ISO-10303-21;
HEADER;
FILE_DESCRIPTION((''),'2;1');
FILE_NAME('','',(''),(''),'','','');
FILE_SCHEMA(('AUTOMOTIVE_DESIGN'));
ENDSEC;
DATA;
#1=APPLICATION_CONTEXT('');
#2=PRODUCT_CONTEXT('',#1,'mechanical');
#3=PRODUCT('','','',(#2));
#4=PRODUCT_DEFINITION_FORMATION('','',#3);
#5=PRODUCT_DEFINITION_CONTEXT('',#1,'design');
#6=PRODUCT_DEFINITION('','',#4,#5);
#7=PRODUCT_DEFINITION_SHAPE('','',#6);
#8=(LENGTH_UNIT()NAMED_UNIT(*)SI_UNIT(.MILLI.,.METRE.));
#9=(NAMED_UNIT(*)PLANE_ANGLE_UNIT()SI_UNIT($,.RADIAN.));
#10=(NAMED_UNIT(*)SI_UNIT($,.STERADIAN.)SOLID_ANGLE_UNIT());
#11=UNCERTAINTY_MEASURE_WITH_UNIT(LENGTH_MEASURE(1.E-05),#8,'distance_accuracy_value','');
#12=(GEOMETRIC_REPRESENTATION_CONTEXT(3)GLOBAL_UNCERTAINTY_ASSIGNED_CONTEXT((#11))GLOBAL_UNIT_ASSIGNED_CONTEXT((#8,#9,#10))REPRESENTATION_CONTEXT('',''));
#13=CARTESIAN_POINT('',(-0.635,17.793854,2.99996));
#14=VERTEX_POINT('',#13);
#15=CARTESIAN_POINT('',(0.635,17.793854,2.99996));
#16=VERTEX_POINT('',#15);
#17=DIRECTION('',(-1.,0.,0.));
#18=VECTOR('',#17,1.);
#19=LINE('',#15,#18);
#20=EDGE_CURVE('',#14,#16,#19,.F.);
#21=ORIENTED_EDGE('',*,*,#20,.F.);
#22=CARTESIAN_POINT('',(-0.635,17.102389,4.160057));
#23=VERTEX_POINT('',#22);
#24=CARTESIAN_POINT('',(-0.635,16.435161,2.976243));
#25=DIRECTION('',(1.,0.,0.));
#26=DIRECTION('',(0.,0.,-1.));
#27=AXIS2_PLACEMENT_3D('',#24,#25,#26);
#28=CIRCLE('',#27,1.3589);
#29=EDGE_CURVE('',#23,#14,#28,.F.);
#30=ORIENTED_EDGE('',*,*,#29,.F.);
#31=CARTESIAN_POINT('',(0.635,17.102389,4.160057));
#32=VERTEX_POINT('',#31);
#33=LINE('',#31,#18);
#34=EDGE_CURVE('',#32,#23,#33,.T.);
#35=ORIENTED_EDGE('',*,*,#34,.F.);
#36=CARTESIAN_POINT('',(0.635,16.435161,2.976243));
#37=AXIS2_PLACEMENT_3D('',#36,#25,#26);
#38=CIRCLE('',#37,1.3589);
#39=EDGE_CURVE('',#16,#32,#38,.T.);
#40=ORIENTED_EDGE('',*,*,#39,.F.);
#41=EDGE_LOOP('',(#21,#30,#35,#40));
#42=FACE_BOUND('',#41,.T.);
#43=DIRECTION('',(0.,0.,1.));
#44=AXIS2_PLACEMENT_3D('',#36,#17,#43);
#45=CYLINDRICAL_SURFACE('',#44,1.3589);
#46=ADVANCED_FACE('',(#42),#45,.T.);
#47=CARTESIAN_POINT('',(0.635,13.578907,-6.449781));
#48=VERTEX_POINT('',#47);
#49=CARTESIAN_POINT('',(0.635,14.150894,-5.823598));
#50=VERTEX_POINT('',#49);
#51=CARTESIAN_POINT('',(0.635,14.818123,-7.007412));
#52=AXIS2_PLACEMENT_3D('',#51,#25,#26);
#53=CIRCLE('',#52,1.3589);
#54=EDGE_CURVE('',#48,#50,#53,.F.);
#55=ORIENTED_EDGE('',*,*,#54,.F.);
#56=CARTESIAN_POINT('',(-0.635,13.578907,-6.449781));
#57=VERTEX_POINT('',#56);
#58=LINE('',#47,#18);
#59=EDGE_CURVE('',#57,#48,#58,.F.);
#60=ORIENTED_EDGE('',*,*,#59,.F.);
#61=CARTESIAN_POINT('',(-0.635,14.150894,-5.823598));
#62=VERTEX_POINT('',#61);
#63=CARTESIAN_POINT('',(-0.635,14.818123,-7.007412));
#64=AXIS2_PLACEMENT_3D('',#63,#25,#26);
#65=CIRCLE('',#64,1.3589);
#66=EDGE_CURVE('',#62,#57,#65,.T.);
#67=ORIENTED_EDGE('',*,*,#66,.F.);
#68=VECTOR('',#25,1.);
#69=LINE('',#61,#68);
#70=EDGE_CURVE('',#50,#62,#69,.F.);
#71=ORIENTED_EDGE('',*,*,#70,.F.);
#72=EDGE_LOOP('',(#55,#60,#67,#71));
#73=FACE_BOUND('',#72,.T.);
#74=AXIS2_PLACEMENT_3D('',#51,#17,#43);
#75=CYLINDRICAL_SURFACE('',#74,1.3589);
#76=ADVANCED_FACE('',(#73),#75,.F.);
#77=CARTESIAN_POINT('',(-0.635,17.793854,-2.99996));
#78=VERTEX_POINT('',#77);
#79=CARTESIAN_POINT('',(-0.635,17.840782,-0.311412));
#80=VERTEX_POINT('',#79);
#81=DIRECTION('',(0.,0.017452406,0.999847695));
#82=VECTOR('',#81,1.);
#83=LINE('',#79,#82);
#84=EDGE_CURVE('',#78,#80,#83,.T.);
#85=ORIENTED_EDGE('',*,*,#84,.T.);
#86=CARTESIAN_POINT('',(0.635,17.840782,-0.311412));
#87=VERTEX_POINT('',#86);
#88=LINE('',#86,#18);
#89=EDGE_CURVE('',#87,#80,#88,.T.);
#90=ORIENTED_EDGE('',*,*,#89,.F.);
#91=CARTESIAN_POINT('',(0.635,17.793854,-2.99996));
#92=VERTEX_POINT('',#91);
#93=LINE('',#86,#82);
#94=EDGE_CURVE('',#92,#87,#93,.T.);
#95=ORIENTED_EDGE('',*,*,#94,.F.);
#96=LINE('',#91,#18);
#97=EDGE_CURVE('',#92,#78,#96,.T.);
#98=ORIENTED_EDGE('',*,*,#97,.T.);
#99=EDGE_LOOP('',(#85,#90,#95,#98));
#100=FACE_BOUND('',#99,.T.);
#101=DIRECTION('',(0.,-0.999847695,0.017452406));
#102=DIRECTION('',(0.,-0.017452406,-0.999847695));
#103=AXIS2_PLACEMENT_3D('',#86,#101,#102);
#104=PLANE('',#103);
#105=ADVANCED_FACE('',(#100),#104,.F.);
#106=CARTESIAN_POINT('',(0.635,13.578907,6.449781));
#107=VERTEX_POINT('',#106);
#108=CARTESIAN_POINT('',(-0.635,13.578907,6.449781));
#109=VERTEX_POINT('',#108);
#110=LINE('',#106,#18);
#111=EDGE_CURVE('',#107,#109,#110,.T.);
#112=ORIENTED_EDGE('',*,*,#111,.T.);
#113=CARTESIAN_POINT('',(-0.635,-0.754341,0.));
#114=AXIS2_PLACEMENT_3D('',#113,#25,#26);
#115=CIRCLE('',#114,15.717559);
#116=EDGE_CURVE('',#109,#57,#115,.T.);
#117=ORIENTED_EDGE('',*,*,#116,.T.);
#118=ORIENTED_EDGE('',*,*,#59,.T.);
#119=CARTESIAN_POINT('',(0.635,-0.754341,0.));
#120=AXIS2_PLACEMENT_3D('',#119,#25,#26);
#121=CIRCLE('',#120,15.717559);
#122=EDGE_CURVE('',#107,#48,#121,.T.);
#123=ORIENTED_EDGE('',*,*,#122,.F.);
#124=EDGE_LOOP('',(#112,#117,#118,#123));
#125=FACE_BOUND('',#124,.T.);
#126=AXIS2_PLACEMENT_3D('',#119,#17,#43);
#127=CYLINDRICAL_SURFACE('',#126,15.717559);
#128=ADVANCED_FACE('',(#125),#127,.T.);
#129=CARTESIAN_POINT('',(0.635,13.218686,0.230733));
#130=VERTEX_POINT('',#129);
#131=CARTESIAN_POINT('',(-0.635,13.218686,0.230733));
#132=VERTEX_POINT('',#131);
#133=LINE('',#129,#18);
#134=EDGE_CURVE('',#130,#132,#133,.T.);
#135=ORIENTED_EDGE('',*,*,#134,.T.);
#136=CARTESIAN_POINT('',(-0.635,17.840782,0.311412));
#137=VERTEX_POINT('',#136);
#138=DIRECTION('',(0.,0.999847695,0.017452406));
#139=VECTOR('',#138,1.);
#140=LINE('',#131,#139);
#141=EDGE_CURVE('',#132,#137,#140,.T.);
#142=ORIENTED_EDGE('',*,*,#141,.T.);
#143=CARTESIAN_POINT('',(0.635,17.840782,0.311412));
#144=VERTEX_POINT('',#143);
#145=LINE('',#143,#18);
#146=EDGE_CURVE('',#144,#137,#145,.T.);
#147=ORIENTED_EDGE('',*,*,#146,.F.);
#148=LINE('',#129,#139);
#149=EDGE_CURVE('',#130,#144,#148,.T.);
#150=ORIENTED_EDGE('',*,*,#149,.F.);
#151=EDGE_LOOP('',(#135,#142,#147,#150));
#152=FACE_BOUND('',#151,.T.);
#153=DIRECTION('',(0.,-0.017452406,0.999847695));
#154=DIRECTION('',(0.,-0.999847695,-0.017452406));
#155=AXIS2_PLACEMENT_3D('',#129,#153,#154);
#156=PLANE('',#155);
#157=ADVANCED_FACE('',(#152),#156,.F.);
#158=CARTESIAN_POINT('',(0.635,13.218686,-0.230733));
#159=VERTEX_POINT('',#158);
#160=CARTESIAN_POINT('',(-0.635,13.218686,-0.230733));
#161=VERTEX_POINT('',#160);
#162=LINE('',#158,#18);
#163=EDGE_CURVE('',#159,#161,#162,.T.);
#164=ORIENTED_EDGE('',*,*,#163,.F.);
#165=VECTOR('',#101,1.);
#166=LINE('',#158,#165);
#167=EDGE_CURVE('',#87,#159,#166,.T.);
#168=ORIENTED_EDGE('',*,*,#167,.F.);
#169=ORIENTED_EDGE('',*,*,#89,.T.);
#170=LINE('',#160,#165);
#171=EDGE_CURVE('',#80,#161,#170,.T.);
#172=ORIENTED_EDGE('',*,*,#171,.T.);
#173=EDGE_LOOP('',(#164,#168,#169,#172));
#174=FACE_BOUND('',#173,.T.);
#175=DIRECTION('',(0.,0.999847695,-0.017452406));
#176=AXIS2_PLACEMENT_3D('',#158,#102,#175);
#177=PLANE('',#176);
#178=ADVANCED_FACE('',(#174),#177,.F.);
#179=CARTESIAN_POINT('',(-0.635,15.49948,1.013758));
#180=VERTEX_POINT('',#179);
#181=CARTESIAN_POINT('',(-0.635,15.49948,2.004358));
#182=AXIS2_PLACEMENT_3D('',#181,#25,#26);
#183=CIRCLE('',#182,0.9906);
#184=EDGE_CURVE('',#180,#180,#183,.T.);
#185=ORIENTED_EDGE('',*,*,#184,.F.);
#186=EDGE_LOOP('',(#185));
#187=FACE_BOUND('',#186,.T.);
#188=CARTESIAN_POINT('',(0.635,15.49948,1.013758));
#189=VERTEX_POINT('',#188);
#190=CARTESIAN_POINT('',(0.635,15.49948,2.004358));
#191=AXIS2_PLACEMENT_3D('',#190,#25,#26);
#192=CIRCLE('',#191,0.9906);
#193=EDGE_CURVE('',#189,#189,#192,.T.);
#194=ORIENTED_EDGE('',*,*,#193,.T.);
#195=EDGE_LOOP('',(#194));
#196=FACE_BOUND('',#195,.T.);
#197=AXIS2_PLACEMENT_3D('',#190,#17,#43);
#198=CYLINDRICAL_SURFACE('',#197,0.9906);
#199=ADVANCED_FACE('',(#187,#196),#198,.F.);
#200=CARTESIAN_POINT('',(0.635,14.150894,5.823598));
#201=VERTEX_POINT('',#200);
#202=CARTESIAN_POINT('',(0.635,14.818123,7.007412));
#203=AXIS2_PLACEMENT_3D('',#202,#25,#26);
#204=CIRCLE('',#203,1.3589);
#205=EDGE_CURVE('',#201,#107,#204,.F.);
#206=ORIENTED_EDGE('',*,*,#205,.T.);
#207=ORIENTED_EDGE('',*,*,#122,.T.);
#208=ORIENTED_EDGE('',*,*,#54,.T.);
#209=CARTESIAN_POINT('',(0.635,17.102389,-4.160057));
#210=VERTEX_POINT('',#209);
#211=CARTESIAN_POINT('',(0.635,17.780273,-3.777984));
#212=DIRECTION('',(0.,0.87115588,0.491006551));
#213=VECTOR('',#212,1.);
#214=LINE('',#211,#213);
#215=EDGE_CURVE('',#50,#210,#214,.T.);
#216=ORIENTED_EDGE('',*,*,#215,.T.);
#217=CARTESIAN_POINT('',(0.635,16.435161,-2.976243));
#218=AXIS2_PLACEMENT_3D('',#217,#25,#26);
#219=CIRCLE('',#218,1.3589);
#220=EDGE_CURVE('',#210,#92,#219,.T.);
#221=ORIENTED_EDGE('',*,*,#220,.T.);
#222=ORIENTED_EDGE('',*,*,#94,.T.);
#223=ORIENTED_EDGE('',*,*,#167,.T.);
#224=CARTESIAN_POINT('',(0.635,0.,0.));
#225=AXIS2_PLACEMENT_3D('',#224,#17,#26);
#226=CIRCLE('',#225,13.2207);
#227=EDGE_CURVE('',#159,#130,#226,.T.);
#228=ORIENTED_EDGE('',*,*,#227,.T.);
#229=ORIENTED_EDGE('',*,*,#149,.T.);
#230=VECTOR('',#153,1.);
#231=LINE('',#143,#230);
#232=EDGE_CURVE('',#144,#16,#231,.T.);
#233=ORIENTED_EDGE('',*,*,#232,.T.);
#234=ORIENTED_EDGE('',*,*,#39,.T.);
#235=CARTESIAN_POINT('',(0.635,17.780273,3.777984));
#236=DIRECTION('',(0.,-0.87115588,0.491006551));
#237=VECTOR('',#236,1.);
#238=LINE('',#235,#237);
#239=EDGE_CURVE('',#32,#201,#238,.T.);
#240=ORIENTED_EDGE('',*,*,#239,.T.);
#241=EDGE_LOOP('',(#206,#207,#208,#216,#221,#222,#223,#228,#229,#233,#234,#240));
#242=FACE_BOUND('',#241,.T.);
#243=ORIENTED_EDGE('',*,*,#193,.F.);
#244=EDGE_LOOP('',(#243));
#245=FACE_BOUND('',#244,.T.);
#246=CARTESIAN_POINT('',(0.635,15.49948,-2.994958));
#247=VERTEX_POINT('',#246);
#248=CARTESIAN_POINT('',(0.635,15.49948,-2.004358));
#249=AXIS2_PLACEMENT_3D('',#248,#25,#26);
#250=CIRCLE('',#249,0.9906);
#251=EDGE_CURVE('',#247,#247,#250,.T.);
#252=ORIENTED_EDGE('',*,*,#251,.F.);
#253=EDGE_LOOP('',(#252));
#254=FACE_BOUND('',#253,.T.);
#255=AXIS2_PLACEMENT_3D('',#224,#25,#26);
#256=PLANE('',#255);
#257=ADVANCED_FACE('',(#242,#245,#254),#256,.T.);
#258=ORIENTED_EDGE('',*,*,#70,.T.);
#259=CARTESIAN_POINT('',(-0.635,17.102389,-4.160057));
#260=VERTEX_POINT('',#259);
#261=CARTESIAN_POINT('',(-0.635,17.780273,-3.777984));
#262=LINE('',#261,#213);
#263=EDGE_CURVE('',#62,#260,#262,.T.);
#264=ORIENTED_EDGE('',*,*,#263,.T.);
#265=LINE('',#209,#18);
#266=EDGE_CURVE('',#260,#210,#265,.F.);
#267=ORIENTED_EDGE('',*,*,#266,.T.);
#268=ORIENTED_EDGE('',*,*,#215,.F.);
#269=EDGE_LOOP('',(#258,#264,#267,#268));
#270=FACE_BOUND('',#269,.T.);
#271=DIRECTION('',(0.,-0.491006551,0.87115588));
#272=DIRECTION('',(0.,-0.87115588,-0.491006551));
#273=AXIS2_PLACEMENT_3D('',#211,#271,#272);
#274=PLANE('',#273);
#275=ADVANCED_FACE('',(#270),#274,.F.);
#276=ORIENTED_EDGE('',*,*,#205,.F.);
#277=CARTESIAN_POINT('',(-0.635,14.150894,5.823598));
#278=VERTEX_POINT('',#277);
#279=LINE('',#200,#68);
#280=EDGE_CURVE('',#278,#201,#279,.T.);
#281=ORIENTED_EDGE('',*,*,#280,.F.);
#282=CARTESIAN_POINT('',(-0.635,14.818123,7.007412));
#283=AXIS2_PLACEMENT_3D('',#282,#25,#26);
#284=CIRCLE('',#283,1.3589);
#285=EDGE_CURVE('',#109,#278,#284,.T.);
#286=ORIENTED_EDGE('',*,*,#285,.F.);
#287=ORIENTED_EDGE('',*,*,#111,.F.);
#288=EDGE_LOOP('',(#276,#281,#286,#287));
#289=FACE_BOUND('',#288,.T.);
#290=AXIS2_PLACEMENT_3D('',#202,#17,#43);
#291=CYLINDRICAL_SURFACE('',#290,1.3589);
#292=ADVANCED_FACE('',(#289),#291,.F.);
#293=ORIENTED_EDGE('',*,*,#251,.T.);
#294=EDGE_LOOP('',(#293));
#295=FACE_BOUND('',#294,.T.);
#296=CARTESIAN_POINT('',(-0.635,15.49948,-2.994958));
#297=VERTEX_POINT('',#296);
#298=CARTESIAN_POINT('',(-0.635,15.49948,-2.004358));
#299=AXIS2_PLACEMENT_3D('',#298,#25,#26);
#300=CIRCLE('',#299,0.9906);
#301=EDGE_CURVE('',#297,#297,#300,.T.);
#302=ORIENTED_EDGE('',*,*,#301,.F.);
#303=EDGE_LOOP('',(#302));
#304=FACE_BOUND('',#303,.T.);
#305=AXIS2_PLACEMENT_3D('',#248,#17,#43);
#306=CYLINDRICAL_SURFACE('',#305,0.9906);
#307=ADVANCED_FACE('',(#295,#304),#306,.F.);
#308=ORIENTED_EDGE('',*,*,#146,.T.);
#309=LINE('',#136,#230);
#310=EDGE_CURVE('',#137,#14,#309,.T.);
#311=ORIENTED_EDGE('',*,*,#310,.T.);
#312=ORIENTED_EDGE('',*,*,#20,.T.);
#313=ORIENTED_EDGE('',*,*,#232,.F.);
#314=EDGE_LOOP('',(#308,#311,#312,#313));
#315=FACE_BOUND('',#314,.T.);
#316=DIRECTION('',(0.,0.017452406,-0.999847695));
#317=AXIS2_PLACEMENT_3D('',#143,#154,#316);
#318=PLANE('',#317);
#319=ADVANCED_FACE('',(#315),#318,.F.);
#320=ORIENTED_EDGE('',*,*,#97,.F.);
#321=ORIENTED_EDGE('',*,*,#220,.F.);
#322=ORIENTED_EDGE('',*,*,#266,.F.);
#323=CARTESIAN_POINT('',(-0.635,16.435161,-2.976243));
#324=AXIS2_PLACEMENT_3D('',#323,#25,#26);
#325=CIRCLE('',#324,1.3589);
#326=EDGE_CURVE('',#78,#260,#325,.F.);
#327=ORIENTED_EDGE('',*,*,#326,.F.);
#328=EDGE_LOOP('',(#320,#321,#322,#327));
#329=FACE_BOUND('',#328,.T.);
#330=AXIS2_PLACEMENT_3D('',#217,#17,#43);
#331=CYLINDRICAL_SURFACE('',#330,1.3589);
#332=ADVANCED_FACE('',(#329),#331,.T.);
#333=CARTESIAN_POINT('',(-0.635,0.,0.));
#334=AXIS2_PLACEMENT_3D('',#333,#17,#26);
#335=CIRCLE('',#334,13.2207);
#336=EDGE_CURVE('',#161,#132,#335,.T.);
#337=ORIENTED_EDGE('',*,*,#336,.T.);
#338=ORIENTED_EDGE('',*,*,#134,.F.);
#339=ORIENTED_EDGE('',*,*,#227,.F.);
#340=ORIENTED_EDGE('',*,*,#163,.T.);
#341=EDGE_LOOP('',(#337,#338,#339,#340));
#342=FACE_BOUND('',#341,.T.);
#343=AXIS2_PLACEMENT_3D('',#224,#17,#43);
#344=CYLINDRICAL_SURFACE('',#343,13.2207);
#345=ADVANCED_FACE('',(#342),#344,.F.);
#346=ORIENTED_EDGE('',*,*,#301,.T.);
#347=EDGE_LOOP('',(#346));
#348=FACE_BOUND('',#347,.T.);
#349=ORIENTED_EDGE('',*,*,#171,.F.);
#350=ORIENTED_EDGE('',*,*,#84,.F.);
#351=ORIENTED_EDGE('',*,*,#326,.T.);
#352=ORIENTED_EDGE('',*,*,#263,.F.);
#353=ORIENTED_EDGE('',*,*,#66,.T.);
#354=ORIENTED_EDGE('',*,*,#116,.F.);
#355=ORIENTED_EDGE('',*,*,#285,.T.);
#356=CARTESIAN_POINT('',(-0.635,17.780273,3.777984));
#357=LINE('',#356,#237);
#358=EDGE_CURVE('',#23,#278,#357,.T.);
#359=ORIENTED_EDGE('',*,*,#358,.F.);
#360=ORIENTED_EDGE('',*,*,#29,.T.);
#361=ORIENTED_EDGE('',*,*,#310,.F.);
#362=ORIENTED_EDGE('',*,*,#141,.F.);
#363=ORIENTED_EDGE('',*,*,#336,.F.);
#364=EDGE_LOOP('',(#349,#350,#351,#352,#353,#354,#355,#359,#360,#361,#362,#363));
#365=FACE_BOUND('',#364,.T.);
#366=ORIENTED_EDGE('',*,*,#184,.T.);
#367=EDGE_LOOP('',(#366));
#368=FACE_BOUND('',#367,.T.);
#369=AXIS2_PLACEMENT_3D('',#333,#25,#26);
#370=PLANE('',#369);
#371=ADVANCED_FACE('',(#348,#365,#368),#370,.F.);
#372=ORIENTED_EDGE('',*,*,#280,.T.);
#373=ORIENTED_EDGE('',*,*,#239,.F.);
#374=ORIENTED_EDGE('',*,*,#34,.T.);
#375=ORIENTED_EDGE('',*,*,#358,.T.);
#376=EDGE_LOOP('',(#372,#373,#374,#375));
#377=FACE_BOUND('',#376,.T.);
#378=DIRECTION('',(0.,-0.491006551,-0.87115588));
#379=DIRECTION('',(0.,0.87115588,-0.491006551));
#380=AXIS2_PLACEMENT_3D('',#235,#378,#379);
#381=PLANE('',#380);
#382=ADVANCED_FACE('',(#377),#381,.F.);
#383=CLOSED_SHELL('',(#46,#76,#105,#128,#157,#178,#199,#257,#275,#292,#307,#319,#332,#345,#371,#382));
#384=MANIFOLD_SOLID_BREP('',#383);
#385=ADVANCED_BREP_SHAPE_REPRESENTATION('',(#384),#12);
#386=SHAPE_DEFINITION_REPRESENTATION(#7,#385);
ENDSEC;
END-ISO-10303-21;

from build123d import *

# Parameters (mm, degrees)
SKETCH1_R      = 0.9906
EXTRUDE1_DEPTH = 0.635
FILLET1_R      = 1.3589


with BuildPart() as part:
    # Sketch1 → Extrude1 (new, symmetric)
    with BuildSketch(Plane(origin=(0, 0, 0), x_dir=(0, 0, -1), z_dir=(1, 0, 0))):
        with BuildLine():
            Line((-0.23073303, 13.218686423), (-0.311412014, 17.840782349))
            Line((-0.311412014, 17.840782349), (-3.777983958, 17.78027311))
            Line((-3.777983958, 17.78027311), (-6.047809043, 13.75309371))
            ThreePointArc((-6.047809043, 13.75309371), (0, -16.4719), (6.047809043, 13.75309371))
            Line((6.047809043, 13.75309371), (3.777983958, 17.78027311))
            Line((3.777983958, 17.78027311), (0.311412014, 17.840782349))
            Line((0.311412014, 17.840782349), (0.23073303, 13.218686423))
            ThreePointArc((0.23073303, 13.218686423), (0, -13.2207), (-0.23073303, 13.218686423))
        make_face()
        with Locations((-2.004358494, 15.499479767)):
            Circle(SKETCH1_R, mode=Mode.SUBTRACT)
        with Locations((2.004358494, 15.499479767)):
            Circle(SKETCH1_R, mode=Mode.SUBTRACT)
    extrude(amount=EXTRUDE1_DEPTH, both=True)

    # Fillet1
    fillet1_edges = [part.edges().sort_by_distance(p)[0] for p in [
        (0, 17.78027311, -3.777983958),
        (0, 13.75309371, -6.047809043),
        (0, 13.75309371, 6.047809043),
        (0, 17.78027311, 3.777983958),
    ]]
    fillet(fillet1_edges, radius=FILLET1_R)


solid = part.part
